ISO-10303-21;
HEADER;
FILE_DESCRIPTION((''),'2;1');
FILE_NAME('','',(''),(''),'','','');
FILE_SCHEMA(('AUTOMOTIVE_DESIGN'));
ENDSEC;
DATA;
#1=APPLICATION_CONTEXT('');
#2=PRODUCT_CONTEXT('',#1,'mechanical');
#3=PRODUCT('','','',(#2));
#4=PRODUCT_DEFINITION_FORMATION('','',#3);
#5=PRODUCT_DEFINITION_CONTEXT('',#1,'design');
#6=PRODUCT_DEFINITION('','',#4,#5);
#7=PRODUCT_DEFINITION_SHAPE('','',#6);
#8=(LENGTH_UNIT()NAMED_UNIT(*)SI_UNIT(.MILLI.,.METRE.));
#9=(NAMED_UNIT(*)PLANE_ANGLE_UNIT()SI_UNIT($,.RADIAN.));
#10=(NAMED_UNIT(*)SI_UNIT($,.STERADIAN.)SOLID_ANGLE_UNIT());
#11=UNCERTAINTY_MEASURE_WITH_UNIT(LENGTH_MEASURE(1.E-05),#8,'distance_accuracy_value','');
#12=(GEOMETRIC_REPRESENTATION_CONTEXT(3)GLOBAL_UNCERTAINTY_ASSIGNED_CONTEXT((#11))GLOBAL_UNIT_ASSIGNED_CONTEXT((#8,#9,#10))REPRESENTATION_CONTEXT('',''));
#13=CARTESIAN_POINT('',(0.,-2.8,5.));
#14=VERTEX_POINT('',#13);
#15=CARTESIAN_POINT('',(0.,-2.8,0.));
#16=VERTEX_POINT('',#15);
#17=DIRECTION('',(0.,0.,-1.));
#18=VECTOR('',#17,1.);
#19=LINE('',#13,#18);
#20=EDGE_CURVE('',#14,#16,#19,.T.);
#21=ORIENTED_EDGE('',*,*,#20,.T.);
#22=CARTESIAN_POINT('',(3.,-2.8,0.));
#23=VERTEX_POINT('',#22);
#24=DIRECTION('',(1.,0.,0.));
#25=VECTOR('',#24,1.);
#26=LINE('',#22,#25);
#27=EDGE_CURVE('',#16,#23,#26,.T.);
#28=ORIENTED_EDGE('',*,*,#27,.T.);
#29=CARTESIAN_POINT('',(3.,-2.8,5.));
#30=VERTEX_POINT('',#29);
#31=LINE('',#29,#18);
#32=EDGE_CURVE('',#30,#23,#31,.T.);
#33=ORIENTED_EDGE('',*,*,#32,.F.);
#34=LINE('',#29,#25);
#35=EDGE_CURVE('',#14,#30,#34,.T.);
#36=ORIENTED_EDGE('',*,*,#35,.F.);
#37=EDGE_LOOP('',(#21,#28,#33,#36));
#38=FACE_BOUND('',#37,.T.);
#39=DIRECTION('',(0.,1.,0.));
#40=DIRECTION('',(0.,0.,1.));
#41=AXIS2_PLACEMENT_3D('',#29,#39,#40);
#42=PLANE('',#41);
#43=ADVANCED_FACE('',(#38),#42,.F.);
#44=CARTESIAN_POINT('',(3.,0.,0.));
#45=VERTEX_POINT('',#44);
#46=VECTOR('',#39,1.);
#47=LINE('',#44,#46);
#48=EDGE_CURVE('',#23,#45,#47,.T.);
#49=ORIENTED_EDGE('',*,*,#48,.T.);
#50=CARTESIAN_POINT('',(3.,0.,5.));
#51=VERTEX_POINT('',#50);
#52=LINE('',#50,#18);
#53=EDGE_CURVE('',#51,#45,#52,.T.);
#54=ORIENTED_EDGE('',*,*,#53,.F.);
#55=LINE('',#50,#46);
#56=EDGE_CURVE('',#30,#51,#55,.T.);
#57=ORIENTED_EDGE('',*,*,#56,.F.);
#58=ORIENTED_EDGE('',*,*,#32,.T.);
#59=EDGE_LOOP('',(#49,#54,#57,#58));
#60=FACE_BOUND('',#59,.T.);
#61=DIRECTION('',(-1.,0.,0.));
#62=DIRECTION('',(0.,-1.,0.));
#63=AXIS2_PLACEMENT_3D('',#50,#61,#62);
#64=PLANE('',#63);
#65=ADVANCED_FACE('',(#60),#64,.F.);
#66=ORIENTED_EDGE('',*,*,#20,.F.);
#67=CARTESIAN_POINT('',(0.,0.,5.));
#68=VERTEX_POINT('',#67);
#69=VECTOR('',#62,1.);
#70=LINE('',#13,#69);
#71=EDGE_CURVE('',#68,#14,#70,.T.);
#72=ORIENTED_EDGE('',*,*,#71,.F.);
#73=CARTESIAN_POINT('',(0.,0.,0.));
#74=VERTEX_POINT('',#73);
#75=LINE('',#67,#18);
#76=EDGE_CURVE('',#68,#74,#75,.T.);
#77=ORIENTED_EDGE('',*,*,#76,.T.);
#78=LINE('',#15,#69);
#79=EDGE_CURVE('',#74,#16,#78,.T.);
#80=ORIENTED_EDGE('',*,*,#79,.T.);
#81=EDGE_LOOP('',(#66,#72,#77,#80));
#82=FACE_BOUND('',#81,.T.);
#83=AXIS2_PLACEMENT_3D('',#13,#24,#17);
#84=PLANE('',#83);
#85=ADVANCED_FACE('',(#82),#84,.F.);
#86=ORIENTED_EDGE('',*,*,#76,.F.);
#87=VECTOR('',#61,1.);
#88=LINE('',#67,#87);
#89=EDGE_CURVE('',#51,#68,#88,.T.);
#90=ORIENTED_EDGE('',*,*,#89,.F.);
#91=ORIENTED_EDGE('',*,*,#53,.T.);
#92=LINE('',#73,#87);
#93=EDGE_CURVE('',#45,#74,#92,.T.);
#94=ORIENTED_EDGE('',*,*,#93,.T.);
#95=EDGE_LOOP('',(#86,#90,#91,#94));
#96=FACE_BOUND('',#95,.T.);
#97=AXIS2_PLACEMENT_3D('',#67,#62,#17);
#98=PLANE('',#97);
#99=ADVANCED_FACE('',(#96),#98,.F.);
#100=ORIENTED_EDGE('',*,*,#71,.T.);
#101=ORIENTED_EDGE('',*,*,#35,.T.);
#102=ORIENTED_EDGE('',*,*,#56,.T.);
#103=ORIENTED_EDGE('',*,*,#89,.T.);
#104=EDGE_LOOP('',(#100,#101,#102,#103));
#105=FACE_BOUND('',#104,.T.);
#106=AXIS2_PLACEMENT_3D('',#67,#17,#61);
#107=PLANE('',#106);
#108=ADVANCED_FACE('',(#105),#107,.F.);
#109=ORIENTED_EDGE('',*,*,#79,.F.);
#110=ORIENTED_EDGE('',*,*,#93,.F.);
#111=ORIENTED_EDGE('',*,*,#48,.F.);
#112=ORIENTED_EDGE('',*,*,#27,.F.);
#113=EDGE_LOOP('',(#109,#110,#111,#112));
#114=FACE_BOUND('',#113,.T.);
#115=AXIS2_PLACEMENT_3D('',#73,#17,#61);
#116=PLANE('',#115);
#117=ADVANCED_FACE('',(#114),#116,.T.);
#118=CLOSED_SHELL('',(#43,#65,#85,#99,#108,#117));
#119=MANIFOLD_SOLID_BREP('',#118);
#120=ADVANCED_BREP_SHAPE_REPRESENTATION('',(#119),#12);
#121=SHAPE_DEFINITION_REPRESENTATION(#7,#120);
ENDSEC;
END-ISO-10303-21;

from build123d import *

# Parameters (mm, degrees)
SKETCH1_W           = 3
SKETCH1_H           = 2.8
BOSS_EXTRUDE1_DEPTH = 5


with BuildPart() as part:
    # Sketch1 → Boss-Extrude1 (new body)
    with BuildSketch(Plane.XY):
        with Locations((1.5, -1.4)):
            Rectangle(SKETCH1_W, SKETCH1_H)
    extrude(amount=BOSS_EXTRUDE1_DEPTH)


solid = part.part
